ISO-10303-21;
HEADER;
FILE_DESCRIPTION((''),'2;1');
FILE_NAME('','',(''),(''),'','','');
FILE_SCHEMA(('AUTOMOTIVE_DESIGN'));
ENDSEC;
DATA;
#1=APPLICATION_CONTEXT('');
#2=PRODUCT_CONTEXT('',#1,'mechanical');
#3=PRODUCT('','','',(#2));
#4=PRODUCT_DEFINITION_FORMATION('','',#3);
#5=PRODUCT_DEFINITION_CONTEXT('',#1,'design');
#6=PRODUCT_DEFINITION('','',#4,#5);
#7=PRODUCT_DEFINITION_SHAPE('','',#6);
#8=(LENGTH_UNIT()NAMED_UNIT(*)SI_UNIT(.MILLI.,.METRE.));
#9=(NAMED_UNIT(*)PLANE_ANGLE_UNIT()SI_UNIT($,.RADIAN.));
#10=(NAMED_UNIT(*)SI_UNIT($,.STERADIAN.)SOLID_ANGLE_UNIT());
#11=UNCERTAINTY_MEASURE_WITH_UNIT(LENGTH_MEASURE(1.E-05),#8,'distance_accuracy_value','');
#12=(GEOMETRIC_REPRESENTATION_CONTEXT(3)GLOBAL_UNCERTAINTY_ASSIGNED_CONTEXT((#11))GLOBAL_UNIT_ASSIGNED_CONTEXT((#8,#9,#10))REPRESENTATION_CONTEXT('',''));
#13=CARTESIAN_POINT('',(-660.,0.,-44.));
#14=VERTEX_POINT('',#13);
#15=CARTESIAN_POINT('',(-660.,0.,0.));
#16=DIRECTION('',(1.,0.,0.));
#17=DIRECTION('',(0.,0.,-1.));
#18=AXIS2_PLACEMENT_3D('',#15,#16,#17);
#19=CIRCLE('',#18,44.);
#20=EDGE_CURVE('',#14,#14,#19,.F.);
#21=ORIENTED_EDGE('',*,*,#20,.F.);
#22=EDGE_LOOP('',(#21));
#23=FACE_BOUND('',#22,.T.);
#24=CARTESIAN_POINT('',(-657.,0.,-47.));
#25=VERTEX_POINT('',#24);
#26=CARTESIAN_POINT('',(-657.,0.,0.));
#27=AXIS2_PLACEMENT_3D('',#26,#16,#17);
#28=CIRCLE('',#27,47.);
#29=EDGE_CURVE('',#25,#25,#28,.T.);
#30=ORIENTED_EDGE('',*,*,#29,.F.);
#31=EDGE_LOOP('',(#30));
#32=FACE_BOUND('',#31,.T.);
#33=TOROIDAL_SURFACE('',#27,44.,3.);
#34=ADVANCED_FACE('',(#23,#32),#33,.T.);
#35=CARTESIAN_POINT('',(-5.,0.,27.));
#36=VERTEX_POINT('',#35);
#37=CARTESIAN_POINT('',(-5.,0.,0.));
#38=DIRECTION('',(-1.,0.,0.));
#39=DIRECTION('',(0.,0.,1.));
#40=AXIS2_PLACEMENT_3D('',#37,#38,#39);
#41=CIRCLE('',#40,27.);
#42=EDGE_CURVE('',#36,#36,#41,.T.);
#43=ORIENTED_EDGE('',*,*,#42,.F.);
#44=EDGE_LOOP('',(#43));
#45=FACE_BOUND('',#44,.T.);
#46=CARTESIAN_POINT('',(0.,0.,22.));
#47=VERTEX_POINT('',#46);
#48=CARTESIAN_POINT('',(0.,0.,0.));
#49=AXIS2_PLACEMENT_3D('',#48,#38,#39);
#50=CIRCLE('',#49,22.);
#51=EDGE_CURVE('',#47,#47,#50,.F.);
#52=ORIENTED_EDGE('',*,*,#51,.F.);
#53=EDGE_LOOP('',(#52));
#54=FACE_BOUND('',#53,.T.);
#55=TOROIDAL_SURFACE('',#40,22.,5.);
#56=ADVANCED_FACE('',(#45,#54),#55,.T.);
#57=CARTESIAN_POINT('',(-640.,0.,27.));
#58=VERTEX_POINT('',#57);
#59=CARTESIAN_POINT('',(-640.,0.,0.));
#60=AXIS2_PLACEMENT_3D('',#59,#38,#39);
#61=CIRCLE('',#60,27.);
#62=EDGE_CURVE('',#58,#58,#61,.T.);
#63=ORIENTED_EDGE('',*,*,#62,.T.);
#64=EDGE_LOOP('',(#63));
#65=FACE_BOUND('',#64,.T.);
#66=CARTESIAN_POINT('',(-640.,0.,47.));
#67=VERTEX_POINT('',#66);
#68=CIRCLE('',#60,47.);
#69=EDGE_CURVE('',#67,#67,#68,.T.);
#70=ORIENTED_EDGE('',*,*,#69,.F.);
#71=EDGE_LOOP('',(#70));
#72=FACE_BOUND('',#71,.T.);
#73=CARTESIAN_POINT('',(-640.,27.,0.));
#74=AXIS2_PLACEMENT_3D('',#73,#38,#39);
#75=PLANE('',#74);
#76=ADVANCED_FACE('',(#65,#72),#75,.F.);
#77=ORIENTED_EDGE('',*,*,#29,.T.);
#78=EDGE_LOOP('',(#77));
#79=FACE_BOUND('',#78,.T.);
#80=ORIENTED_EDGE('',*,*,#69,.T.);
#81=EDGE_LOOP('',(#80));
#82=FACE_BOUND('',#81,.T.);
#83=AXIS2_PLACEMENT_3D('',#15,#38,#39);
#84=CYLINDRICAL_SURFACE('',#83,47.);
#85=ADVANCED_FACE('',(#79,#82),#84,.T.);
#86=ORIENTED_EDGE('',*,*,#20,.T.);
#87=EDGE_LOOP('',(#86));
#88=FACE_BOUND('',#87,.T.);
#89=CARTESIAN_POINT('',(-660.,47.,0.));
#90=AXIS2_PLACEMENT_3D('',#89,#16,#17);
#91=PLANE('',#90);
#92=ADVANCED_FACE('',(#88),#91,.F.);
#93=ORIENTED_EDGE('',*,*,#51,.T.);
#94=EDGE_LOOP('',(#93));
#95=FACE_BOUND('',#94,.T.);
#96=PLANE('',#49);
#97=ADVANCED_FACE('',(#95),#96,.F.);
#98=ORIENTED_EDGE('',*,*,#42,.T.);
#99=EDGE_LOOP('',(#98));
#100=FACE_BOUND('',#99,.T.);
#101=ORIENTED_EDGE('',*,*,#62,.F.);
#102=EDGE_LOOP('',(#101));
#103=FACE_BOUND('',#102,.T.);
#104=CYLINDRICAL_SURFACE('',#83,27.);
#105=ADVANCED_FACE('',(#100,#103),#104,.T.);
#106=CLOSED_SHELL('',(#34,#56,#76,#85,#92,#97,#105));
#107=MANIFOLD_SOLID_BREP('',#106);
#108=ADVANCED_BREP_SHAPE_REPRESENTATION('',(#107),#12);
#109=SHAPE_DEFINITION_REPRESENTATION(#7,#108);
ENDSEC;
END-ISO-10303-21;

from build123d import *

# Parameters (mm, degrees)
FILLET1_R = 3
FILLET2_R = 5


with BuildPart() as part:
    # Sketch1 → Revolve1 (revolve)
    with BuildSketch(Plane.XY, mode=Mode.PRIVATE) as revolve1_sk:
        Polygon((0, 0), (0, 27), (-640, 27), (-640, 47), (-660, 47), (-660, 0), align=None)
    revolve(revolve1_sk.sketch.rotate(Axis((-660, 0, 0), (1, 0, 0)), 90), axis=Axis((-660, 0, 0), (1, 0, 0)))

    # Fillet1
    fillet1_edges = [part.edges().sort_by_distance(p)[0] for p in [
        (-660, 0, -47),
    ]]
    fillet(fillet1_edges, radius=FILLET1_R)

    # Fillet2
    fillet2_edges = [part.edges().sort_by_distance(p)[0] for p in [
        (0, 0, -27),
    ]]
    fillet(fillet2_edges, radius=FILLET2_R)


solid = part.part
